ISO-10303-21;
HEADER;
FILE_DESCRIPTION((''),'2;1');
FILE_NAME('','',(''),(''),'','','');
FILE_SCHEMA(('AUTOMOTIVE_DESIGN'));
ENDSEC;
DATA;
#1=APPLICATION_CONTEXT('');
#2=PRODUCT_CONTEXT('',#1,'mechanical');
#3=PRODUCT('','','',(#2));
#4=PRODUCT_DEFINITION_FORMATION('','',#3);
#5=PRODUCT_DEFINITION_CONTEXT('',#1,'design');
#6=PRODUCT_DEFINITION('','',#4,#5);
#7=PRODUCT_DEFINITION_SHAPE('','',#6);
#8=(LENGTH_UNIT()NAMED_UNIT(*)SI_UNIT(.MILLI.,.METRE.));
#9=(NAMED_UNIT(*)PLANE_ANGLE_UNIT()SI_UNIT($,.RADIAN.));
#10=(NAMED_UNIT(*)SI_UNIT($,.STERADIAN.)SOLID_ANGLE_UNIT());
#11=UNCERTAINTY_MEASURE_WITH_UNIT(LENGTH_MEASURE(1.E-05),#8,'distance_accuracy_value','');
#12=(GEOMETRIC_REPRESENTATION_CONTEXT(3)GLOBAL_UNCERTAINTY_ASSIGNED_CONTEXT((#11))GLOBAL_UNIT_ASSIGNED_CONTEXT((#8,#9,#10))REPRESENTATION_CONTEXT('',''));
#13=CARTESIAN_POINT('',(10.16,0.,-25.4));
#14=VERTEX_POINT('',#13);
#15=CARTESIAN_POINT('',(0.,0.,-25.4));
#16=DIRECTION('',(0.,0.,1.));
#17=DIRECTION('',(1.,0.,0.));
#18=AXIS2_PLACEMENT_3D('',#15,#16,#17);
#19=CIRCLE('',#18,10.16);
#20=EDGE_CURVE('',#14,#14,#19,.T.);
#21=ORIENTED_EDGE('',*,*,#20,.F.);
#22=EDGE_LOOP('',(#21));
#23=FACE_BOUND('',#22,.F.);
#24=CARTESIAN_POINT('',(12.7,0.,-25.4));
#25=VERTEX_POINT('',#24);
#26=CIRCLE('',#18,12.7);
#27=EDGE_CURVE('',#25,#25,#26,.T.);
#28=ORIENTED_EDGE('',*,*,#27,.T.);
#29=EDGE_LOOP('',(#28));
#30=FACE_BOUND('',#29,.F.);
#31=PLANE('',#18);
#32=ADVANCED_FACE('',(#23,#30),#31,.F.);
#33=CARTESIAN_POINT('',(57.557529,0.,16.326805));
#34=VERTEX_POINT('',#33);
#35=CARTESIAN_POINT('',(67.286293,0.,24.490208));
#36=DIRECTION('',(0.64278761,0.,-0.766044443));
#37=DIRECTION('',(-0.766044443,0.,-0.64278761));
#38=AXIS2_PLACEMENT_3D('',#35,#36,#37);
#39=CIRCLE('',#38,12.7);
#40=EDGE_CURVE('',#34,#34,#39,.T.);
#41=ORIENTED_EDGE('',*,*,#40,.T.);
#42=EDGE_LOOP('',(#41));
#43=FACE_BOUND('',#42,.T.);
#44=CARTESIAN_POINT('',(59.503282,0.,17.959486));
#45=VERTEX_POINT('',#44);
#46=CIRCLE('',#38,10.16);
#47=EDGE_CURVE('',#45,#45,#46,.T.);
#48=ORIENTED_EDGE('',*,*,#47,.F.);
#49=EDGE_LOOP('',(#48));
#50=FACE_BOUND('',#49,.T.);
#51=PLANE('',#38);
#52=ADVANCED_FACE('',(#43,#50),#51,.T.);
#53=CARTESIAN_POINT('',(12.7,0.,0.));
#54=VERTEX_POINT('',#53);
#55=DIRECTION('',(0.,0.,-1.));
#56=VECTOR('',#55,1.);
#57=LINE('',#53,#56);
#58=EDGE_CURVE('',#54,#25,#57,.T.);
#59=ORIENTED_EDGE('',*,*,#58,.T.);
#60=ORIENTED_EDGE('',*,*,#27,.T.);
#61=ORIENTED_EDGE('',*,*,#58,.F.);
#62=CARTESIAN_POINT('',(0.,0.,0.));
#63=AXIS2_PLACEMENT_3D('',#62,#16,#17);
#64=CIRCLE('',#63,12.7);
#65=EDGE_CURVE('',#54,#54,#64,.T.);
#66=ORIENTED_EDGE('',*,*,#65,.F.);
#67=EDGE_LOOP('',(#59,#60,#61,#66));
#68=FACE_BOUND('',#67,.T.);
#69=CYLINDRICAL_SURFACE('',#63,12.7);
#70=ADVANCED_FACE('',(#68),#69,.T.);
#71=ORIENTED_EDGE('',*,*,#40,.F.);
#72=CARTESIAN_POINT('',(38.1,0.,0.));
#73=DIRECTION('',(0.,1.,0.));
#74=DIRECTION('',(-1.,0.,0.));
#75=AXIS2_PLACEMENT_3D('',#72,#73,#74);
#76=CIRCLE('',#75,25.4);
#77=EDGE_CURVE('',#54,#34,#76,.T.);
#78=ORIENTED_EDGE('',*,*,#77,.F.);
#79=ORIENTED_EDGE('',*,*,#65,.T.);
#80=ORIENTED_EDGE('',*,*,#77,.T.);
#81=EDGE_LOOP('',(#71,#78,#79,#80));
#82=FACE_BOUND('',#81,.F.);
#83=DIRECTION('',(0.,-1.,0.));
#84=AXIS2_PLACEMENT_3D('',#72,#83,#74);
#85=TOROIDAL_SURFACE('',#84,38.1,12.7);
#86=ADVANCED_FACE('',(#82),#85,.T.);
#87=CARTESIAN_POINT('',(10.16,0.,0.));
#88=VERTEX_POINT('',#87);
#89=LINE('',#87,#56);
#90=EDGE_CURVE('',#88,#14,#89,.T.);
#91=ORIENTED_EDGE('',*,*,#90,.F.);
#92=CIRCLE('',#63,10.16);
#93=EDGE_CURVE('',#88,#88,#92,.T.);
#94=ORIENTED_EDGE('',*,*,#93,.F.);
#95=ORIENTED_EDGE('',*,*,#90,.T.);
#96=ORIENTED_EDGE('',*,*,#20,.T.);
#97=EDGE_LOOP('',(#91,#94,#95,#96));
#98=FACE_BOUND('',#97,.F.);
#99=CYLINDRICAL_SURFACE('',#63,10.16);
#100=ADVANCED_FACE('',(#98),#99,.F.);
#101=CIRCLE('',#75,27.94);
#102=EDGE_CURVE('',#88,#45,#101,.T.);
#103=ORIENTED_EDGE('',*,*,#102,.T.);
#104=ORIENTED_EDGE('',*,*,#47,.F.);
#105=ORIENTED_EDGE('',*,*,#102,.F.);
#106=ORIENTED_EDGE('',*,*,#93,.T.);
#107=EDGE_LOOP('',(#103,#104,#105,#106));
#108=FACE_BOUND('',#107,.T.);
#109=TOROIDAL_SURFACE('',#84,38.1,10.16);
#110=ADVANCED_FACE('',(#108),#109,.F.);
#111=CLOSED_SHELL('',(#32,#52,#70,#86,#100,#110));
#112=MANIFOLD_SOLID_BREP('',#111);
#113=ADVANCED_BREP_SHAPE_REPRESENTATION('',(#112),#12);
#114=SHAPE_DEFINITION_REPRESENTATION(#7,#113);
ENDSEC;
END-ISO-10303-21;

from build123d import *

# Parameters (mm, degrees)
F0_R     = 12.7
F1_ANGLE = 140
F2_DEPTH = 25.4
F3_T     = -2.54


with BuildPart() as f1:
    # F0 (on Top) → F1 (revolve)
    with BuildSketch(Plane.XY):
        Circle(F0_R)
    revolve(axis=Axis((38.1, -3.6203619093, 0), (0, 1, 0)), revolution_arc=F1_ANGLE)

    # F2 (add): a face of the model
    f2_faces = [f1.faces().sort_by_distance(p)[0] for p in [
        (0, 0, 0),
    ]]
    extrude(f2_faces, amount=F2_DEPTH)

    # F3
    f3_openings = [f1.faces().sort_by_distance(p)[0] for p in [
        (0, 0, -25.4),
        (67.286293, 0, 24.490208),
    ]]
    offset(amount=F3_T, openings=f3_openings)


solid = f1.part
